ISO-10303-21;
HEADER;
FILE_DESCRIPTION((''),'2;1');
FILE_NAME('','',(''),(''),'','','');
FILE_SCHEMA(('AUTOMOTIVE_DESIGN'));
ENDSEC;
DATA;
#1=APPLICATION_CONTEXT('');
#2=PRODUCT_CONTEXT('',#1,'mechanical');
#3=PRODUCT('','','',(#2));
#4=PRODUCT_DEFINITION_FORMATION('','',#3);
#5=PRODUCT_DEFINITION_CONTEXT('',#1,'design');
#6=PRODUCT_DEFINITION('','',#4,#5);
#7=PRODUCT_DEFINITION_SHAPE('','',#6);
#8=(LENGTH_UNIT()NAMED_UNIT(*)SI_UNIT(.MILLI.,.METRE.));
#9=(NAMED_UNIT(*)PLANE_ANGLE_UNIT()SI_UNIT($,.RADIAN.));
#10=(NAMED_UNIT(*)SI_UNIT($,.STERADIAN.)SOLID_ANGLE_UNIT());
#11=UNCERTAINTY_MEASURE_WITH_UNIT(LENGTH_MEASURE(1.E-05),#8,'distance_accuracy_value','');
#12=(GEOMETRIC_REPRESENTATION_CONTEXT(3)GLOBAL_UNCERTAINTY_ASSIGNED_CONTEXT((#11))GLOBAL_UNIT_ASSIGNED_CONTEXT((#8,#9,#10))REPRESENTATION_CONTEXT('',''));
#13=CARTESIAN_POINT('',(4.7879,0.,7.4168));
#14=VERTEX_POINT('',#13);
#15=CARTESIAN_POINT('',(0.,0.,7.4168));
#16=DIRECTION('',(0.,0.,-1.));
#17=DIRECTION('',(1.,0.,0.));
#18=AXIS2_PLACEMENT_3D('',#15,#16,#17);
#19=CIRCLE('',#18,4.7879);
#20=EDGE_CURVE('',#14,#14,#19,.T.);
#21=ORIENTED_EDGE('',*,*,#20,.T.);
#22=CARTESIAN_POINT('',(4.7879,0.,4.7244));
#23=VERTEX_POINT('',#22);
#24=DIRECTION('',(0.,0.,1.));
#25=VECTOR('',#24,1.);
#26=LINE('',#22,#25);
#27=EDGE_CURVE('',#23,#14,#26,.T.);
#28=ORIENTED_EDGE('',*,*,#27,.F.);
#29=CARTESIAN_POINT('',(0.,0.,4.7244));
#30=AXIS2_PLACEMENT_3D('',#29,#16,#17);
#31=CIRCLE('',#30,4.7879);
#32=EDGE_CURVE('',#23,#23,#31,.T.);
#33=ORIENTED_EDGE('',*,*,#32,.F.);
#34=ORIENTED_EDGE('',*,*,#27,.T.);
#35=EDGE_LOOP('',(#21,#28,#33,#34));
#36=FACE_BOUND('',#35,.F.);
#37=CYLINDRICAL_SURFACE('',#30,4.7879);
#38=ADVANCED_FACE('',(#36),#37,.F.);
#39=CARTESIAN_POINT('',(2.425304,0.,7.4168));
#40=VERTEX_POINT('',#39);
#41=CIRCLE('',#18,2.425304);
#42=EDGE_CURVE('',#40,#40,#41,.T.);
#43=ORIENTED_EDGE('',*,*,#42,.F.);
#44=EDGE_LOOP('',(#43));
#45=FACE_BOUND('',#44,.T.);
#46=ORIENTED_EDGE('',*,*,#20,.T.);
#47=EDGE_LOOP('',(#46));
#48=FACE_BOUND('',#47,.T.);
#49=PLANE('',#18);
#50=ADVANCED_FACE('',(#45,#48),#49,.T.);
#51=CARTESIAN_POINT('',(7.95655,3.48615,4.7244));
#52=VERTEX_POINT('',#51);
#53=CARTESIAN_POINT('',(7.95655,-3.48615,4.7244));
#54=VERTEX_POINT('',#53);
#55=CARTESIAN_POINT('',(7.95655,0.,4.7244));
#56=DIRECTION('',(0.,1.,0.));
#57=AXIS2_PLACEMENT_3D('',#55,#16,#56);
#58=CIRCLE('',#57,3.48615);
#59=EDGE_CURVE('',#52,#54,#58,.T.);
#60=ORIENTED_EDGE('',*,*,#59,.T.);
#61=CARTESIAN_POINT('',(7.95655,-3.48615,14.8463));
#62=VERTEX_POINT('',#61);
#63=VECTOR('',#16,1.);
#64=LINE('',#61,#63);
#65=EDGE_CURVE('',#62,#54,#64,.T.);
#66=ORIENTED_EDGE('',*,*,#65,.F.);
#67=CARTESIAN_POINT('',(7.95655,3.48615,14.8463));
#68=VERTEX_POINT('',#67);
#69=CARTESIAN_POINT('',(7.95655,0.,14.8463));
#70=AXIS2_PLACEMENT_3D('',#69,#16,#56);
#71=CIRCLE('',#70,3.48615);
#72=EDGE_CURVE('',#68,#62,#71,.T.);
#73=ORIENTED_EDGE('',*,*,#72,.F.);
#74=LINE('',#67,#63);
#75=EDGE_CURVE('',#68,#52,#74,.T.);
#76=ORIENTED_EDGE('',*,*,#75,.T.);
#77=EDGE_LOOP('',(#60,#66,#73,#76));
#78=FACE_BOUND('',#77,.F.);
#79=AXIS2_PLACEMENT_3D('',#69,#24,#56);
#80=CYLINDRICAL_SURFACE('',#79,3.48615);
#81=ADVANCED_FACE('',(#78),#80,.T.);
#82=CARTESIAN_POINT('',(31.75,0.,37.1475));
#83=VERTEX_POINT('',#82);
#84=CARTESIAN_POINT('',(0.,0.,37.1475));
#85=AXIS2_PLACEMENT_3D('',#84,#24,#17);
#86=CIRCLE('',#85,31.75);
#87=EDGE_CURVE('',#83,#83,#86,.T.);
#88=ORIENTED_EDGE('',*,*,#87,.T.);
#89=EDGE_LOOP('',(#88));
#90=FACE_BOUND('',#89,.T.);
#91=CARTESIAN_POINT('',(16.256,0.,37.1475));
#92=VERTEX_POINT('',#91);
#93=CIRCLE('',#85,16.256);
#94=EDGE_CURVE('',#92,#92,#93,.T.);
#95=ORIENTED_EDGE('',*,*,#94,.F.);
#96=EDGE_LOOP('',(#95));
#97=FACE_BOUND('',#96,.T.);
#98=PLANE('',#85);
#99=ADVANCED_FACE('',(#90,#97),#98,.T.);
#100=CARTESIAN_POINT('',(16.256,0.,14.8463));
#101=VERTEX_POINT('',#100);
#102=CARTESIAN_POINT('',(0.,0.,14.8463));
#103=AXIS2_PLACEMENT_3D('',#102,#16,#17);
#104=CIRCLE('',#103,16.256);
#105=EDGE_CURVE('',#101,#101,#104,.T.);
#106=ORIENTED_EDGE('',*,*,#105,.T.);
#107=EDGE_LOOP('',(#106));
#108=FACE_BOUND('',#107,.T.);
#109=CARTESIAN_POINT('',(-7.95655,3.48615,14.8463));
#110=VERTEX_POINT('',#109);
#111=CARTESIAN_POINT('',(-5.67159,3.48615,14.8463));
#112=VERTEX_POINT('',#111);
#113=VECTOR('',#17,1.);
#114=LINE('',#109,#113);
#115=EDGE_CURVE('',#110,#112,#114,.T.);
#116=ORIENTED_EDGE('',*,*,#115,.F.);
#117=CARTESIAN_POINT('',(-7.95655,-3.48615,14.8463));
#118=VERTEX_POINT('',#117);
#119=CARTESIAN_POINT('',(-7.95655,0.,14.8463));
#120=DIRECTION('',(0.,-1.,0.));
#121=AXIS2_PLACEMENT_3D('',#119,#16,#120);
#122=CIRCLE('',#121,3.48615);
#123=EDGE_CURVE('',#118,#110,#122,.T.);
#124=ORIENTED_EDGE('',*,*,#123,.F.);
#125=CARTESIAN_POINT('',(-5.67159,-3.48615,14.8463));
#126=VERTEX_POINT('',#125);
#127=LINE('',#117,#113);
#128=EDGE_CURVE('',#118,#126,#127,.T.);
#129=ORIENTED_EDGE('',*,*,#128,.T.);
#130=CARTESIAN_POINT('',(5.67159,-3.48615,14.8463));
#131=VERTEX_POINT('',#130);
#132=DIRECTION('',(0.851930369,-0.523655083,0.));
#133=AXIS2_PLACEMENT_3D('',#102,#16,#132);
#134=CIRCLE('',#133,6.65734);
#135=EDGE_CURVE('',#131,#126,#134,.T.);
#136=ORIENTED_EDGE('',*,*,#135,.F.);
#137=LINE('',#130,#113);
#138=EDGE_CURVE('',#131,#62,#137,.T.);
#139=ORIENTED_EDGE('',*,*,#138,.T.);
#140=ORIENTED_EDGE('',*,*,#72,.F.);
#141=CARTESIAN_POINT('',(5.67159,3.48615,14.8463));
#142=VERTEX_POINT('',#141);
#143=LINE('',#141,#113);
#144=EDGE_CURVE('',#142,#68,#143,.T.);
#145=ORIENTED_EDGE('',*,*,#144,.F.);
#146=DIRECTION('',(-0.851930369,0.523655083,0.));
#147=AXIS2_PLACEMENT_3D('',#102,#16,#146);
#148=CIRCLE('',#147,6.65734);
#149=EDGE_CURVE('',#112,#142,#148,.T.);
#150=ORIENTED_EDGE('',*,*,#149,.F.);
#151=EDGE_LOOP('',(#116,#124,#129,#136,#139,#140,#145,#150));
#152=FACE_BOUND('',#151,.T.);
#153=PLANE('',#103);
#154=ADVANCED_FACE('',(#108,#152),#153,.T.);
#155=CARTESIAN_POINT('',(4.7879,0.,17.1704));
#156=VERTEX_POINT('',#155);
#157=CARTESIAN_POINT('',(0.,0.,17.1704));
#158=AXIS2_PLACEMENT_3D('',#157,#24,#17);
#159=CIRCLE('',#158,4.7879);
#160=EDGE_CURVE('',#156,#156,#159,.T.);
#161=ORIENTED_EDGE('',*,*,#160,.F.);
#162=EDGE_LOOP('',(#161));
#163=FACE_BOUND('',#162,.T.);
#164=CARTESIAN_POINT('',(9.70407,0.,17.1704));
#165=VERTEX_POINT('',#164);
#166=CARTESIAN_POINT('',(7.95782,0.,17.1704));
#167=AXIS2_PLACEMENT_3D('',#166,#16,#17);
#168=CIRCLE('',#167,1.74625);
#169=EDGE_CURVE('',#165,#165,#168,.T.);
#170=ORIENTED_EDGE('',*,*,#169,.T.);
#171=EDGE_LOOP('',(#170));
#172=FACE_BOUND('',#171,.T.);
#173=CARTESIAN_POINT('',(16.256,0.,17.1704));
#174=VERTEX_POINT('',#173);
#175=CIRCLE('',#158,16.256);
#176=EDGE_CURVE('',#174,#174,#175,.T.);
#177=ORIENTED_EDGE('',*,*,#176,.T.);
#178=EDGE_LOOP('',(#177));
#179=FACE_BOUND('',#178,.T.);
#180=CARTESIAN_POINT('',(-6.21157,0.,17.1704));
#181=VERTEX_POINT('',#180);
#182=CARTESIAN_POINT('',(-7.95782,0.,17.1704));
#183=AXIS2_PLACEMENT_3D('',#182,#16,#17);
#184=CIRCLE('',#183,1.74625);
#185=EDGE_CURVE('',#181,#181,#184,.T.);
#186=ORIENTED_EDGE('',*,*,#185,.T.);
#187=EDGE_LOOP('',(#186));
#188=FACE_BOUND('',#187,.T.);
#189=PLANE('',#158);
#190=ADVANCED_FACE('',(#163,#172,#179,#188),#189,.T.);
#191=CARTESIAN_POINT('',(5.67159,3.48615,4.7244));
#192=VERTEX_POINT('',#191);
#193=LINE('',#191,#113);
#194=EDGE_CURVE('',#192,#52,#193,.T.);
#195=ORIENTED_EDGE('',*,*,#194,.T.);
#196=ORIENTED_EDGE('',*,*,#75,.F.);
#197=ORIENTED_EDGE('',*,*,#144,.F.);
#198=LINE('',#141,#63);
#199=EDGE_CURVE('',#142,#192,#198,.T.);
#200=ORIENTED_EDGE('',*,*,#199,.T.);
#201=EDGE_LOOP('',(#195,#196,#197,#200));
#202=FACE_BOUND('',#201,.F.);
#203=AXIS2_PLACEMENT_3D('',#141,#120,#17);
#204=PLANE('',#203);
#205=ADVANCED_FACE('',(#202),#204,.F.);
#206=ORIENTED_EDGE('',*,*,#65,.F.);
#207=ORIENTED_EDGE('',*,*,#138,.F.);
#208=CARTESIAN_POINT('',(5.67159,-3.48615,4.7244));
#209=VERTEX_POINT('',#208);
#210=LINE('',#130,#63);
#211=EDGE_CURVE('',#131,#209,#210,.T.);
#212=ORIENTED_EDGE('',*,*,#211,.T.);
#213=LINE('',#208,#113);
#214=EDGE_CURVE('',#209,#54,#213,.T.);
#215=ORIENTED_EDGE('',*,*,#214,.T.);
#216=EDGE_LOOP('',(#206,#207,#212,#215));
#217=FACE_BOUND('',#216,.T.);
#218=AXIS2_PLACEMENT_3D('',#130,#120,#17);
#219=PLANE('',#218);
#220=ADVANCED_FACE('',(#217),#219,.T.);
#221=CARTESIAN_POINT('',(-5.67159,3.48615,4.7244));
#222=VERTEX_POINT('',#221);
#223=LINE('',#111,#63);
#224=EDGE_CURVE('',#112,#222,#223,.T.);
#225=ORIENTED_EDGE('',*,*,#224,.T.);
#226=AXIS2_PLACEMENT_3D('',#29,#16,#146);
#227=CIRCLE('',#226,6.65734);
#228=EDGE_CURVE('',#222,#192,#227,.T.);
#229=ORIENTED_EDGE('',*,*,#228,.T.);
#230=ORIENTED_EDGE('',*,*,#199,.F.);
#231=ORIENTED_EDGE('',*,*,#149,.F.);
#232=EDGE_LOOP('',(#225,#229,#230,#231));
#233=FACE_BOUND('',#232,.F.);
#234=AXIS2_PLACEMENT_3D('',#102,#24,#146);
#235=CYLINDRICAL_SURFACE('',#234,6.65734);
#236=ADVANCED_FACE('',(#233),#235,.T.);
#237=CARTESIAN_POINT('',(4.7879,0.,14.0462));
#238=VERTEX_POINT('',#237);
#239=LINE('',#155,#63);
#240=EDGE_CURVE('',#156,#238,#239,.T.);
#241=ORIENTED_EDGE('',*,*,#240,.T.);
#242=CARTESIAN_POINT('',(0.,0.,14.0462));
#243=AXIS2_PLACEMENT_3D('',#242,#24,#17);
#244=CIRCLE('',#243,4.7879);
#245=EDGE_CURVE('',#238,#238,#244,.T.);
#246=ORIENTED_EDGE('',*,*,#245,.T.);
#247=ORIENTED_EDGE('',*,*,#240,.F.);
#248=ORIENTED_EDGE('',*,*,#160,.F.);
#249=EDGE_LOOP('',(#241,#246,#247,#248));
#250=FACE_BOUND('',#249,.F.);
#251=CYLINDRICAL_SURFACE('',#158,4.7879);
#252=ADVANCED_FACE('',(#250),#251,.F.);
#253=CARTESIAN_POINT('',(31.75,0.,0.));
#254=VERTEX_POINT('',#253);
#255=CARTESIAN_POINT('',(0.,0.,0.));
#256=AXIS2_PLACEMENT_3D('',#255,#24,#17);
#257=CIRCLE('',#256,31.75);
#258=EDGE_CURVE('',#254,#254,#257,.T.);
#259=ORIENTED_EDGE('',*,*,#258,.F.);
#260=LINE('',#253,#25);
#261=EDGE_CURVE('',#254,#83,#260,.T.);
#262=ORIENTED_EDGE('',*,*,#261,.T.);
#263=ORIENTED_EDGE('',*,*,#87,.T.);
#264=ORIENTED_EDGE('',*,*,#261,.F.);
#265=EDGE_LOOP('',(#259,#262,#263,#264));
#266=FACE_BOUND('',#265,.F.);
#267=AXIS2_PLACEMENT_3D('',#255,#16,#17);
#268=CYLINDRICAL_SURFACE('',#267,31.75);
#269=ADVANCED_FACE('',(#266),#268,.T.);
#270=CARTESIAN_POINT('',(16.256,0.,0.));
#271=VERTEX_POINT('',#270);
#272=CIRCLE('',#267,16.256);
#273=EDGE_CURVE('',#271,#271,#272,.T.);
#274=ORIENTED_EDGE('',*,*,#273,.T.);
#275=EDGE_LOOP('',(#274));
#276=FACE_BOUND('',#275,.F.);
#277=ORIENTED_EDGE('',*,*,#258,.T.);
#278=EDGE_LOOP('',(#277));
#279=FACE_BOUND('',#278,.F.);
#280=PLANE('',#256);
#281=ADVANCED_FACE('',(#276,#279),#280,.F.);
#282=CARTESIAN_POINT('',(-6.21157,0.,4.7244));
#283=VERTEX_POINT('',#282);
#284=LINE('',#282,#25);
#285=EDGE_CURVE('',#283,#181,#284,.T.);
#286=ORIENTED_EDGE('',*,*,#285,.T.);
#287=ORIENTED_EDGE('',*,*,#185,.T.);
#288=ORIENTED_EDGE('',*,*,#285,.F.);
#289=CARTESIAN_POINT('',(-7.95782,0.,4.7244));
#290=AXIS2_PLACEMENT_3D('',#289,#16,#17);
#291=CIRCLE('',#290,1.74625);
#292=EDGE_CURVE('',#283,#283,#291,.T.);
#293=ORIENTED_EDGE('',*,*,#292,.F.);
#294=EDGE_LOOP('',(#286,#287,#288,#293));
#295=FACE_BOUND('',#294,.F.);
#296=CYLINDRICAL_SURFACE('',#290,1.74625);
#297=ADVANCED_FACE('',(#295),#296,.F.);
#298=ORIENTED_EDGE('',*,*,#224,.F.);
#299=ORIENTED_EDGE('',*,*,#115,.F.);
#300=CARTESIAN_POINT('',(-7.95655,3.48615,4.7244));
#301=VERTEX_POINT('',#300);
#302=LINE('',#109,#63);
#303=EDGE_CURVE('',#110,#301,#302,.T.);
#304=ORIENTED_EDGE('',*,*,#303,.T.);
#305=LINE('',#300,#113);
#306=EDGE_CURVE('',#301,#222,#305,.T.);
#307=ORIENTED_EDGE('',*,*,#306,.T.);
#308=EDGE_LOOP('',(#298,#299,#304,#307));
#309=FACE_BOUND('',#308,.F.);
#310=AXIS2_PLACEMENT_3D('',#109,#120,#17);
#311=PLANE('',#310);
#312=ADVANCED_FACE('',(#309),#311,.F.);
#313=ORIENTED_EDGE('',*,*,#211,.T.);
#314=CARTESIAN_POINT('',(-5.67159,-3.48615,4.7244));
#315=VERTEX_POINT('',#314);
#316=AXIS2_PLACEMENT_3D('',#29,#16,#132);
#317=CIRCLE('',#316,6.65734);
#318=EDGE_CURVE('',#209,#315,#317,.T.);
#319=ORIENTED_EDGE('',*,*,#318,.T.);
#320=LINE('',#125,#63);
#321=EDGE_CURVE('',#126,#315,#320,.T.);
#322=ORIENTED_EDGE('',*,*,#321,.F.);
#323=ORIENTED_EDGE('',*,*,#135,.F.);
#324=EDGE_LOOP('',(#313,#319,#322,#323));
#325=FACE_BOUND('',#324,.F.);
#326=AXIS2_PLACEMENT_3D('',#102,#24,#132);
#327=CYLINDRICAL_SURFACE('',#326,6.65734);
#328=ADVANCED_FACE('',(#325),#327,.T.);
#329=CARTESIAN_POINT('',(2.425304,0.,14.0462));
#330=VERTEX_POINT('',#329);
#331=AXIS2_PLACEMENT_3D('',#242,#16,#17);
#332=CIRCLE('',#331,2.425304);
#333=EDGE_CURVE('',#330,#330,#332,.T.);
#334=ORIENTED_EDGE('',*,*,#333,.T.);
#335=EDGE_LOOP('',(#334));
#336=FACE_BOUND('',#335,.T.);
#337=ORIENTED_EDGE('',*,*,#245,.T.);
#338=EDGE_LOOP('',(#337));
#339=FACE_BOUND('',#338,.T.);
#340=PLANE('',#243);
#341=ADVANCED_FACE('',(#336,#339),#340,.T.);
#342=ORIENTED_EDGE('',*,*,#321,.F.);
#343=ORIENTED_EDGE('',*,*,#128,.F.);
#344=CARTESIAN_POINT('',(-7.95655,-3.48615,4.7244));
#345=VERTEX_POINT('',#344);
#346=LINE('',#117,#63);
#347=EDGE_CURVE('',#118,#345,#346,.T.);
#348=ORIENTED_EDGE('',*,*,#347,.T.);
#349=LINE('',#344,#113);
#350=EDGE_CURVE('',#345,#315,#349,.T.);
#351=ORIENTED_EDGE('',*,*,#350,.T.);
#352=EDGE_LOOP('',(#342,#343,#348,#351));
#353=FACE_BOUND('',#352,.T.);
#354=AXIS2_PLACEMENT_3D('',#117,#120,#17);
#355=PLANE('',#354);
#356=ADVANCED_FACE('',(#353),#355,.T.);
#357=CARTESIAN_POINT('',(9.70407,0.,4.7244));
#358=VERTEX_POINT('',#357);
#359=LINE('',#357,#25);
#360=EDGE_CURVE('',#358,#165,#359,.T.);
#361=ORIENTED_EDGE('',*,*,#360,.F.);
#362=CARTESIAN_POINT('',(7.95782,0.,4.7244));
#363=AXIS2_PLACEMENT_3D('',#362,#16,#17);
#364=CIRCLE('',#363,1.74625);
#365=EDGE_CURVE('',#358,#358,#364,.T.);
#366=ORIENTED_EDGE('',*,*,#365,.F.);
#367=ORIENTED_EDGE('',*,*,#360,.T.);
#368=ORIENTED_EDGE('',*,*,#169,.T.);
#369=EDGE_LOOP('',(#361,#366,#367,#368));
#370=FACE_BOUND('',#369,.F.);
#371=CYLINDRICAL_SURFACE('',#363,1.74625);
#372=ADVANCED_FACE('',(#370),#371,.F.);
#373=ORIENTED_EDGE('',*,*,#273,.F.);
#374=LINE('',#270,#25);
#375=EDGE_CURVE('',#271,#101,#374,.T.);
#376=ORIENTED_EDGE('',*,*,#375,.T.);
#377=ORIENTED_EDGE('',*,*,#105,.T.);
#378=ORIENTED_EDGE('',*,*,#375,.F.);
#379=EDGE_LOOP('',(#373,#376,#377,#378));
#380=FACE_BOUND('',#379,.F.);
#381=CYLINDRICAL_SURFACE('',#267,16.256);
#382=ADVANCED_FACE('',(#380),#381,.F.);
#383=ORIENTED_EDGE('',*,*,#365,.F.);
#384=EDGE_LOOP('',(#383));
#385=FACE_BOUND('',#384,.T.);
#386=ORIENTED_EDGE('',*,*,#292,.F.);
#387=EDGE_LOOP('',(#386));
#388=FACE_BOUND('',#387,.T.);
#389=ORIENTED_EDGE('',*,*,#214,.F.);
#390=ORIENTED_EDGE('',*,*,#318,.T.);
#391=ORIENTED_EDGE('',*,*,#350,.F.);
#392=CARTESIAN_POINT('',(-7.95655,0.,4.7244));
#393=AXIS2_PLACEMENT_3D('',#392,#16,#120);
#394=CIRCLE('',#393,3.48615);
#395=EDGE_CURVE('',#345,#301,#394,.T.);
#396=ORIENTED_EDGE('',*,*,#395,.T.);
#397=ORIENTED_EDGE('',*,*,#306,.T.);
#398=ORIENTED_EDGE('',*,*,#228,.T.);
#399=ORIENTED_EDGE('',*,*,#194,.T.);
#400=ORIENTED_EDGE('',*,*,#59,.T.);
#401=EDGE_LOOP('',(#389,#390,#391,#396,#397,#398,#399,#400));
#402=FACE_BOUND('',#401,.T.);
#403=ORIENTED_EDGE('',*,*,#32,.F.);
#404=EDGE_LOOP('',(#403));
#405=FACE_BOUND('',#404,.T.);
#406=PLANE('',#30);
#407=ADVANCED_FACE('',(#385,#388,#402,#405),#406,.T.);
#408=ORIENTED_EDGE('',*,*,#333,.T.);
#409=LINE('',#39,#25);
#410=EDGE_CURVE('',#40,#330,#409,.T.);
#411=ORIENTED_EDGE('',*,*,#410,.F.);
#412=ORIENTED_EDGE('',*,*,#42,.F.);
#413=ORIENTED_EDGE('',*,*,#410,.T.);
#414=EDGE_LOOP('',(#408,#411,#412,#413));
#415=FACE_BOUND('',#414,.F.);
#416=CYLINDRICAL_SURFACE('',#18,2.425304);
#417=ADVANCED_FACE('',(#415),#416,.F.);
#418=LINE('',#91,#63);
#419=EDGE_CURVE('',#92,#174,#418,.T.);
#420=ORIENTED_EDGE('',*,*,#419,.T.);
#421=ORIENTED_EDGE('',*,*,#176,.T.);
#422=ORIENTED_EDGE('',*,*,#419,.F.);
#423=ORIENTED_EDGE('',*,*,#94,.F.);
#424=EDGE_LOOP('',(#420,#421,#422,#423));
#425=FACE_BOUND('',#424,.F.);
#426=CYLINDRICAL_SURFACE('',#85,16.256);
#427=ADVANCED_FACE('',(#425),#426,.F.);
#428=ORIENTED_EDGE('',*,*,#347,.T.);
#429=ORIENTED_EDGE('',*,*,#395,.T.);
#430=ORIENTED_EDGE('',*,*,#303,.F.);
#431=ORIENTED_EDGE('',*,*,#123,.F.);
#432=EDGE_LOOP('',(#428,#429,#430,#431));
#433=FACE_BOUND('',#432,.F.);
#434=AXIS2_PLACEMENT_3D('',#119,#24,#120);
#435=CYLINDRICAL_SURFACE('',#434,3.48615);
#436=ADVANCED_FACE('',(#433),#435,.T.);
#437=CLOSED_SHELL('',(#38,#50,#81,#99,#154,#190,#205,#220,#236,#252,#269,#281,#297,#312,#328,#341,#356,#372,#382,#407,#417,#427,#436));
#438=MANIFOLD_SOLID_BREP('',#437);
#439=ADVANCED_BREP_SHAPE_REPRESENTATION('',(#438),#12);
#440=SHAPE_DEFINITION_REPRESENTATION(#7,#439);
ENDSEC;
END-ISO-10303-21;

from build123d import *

# Parameters (mm, degrees)
SKETCH_R        = 31.75
PAD_DEPTH       = 37.1475
SKETCH001_R     = 16.256
POCKET_DEPTH    = 19.9771
SKETCH002_R     = 16.256
POCKET001_DEPTH = 14.8463
PAD001_DEPTH    = 10.1219
SKETCH004_R     = 1.74625
POCKET002_DEPTH = 32.4241
SKETCH005_R     = 4.7879
POCKET003_DEPTH = 2.6924
SKETCH006_R     = 2.425304
POCKET004_DEPTH = 29.7317
SKETCH007_R     = 4.7879
POCKET005_DEPTH = 3.1242


with BuildPart() as part:
    # Sketch → Pad (new body)
    with BuildSketch(Plane.XY):
        Circle(SKETCH_R)
    extrude(amount=PAD_DEPTH)

    # Sketch001 → Pocket (cut)
    with BuildSketch(Plane.XY.offset(37.1475)):
        Circle(SKETCH001_R)
    extrude(amount=-POCKET_DEPTH, mode=Mode.SUBTRACT)

    # Sketch002 → Pocket001 (cut)
    with BuildSketch(Plane(origin=(0, 0, 0), x_dir=(1, 0, 0), z_dir=(0, 0, -1))):
        Circle(SKETCH002_R)
    extrude(amount=-POCKET001_DEPTH, mode=Mode.SUBTRACT)

    # Sketch003 → Pad001 (new body)
    with BuildSketch(Plane(origin=(0, 0, 14.8463), x_dir=(1, 0, 0), z_dir=(0, 0, -1))):
        with BuildLine():
            ThreePointArc((-5.67159, -3.48615), (0, -6.65734), (5.67159, -3.48615))
            Line((5.67159, -3.48615), (7.95655, -3.48615))
            ThreePointArc((7.95655, -3.48615), (11.4427, 0), (7.95655, 3.48615))
            Line((5.67159, 3.48615), (7.95655, 3.48615))
            ThreePointArc((5.67159, 3.48615), (0, 6.65734), (-5.67159, 3.48615))
            Line((-7.95655, 3.48615), (-5.67159, 3.48615))
            ThreePointArc((-7.95655, 3.48615), (-11.4427, 0), (-7.95655, -3.48615))
            Line((-7.95655, -3.48615), (-5.67159, -3.48615))
        make_face()
    extrude(amount=PAD001_DEPTH)

    # Sketch004 → Pocket002 (cut, through all)
    with BuildSketch(Plane(origin=(0, 0, 4.7244), x_dir=(1, 0, 0), z_dir=(0, 0, -1))):
        with Locations((7.95782, 0)):
            Circle(SKETCH004_R)
        with Locations((-7.95782, 0)):
            Circle(SKETCH004_R)
    extrude(amount=-POCKET002_DEPTH, mode=Mode.SUBTRACT)

    # Sketch005 → Pocket003 (cut)
    with BuildSketch(Plane(origin=(0, 0, 4.7244), x_dir=(1, 0, 0), z_dir=(0, 0, -1))):
        Circle(SKETCH005_R)
    extrude(amount=-POCKET003_DEPTH, mode=Mode.SUBTRACT)

    # Sketch006 → Pocket004 (cut, through all)
    with BuildSketch(Plane(origin=(0, 0, 7.4168), x_dir=(1, 0, 0), z_dir=(0, 0, -1))):
        Circle(SKETCH006_R)
    extrude(amount=-POCKET004_DEPTH, mode=Mode.SUBTRACT)

    # Sketch007 → Pocket005 (cut)
    with BuildSketch(Plane.XY.offset(17.1704)):
        Circle(SKETCH007_R)
    extrude(amount=-POCKET005_DEPTH, mode=Mode.SUBTRACT)


solid = part.part
